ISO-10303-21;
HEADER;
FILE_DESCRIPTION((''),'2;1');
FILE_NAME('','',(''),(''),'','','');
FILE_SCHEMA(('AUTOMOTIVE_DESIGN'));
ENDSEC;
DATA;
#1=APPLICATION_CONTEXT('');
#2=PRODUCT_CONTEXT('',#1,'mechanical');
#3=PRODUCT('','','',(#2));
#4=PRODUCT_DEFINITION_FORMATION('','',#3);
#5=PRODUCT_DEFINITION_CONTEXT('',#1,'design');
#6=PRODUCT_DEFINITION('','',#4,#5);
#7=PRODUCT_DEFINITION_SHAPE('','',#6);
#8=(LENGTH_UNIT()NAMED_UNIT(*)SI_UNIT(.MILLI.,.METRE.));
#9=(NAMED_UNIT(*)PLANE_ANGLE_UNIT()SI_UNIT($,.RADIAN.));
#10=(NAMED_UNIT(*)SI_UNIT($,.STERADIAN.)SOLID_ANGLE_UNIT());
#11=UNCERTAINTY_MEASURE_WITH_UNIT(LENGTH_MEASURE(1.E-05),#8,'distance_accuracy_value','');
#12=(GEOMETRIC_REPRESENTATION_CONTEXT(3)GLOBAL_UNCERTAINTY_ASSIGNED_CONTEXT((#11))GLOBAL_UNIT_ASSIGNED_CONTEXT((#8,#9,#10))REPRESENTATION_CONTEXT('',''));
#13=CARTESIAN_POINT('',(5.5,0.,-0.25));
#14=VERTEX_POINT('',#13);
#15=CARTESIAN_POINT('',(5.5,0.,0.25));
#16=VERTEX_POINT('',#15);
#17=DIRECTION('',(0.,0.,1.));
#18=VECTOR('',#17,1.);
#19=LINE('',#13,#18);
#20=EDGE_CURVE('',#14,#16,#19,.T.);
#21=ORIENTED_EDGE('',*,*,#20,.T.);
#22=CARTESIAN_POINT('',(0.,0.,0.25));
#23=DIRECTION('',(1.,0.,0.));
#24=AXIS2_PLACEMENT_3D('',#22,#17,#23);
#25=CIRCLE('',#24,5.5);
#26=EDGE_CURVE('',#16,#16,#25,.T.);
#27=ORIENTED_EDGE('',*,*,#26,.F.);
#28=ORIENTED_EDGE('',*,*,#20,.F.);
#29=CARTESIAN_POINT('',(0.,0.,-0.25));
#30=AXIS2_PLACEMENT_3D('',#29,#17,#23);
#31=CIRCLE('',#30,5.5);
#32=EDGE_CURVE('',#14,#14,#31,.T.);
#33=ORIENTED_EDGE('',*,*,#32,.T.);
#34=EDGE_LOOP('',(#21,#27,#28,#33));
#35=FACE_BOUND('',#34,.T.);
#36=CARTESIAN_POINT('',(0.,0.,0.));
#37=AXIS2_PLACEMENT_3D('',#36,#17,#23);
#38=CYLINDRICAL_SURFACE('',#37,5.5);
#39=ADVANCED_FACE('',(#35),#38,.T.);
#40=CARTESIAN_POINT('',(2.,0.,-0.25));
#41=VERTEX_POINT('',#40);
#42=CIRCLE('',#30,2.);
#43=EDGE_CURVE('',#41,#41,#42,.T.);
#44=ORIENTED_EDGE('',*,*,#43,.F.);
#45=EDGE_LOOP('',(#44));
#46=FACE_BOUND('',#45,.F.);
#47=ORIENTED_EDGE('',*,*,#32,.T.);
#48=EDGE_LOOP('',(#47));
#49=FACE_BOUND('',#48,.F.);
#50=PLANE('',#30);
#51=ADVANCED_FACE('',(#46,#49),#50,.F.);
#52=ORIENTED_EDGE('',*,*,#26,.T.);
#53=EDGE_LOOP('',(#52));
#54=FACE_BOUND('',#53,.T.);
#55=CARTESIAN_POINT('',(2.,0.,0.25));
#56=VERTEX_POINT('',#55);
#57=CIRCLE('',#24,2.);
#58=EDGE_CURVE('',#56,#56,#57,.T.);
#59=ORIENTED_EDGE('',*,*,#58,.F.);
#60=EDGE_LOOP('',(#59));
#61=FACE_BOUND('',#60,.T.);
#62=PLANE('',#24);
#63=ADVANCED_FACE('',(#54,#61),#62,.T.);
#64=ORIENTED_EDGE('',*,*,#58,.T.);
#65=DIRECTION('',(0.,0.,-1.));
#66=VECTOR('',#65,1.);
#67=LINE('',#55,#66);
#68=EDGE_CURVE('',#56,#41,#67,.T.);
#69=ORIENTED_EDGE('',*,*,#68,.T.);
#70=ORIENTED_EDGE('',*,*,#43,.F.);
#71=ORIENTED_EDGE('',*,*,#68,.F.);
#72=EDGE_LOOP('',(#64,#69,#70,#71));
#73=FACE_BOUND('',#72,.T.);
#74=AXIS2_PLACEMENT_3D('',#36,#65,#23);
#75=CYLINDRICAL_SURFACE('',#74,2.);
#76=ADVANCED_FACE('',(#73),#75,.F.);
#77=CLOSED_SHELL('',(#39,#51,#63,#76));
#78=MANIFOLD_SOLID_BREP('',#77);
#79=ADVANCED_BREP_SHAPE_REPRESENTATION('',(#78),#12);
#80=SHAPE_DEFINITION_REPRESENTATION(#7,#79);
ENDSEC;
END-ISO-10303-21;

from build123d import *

# Parameters (mm, degrees)
SKETCH2_R          = 5.5
SKETCH2_R_2        = 2
BODY_EXTRUDE_DEPTH = 0.25


with BuildPart() as part:
    # Sketch2 → Body Extrude (new, symmetric)
    with BuildSketch(Plane.XY):
        Circle(SKETCH2_R)
        Circle(SKETCH2_R_2, mode=Mode.SUBTRACT)
    extrude(amount=BODY_EXTRUDE_DEPTH, both=True)


solid = part.part
